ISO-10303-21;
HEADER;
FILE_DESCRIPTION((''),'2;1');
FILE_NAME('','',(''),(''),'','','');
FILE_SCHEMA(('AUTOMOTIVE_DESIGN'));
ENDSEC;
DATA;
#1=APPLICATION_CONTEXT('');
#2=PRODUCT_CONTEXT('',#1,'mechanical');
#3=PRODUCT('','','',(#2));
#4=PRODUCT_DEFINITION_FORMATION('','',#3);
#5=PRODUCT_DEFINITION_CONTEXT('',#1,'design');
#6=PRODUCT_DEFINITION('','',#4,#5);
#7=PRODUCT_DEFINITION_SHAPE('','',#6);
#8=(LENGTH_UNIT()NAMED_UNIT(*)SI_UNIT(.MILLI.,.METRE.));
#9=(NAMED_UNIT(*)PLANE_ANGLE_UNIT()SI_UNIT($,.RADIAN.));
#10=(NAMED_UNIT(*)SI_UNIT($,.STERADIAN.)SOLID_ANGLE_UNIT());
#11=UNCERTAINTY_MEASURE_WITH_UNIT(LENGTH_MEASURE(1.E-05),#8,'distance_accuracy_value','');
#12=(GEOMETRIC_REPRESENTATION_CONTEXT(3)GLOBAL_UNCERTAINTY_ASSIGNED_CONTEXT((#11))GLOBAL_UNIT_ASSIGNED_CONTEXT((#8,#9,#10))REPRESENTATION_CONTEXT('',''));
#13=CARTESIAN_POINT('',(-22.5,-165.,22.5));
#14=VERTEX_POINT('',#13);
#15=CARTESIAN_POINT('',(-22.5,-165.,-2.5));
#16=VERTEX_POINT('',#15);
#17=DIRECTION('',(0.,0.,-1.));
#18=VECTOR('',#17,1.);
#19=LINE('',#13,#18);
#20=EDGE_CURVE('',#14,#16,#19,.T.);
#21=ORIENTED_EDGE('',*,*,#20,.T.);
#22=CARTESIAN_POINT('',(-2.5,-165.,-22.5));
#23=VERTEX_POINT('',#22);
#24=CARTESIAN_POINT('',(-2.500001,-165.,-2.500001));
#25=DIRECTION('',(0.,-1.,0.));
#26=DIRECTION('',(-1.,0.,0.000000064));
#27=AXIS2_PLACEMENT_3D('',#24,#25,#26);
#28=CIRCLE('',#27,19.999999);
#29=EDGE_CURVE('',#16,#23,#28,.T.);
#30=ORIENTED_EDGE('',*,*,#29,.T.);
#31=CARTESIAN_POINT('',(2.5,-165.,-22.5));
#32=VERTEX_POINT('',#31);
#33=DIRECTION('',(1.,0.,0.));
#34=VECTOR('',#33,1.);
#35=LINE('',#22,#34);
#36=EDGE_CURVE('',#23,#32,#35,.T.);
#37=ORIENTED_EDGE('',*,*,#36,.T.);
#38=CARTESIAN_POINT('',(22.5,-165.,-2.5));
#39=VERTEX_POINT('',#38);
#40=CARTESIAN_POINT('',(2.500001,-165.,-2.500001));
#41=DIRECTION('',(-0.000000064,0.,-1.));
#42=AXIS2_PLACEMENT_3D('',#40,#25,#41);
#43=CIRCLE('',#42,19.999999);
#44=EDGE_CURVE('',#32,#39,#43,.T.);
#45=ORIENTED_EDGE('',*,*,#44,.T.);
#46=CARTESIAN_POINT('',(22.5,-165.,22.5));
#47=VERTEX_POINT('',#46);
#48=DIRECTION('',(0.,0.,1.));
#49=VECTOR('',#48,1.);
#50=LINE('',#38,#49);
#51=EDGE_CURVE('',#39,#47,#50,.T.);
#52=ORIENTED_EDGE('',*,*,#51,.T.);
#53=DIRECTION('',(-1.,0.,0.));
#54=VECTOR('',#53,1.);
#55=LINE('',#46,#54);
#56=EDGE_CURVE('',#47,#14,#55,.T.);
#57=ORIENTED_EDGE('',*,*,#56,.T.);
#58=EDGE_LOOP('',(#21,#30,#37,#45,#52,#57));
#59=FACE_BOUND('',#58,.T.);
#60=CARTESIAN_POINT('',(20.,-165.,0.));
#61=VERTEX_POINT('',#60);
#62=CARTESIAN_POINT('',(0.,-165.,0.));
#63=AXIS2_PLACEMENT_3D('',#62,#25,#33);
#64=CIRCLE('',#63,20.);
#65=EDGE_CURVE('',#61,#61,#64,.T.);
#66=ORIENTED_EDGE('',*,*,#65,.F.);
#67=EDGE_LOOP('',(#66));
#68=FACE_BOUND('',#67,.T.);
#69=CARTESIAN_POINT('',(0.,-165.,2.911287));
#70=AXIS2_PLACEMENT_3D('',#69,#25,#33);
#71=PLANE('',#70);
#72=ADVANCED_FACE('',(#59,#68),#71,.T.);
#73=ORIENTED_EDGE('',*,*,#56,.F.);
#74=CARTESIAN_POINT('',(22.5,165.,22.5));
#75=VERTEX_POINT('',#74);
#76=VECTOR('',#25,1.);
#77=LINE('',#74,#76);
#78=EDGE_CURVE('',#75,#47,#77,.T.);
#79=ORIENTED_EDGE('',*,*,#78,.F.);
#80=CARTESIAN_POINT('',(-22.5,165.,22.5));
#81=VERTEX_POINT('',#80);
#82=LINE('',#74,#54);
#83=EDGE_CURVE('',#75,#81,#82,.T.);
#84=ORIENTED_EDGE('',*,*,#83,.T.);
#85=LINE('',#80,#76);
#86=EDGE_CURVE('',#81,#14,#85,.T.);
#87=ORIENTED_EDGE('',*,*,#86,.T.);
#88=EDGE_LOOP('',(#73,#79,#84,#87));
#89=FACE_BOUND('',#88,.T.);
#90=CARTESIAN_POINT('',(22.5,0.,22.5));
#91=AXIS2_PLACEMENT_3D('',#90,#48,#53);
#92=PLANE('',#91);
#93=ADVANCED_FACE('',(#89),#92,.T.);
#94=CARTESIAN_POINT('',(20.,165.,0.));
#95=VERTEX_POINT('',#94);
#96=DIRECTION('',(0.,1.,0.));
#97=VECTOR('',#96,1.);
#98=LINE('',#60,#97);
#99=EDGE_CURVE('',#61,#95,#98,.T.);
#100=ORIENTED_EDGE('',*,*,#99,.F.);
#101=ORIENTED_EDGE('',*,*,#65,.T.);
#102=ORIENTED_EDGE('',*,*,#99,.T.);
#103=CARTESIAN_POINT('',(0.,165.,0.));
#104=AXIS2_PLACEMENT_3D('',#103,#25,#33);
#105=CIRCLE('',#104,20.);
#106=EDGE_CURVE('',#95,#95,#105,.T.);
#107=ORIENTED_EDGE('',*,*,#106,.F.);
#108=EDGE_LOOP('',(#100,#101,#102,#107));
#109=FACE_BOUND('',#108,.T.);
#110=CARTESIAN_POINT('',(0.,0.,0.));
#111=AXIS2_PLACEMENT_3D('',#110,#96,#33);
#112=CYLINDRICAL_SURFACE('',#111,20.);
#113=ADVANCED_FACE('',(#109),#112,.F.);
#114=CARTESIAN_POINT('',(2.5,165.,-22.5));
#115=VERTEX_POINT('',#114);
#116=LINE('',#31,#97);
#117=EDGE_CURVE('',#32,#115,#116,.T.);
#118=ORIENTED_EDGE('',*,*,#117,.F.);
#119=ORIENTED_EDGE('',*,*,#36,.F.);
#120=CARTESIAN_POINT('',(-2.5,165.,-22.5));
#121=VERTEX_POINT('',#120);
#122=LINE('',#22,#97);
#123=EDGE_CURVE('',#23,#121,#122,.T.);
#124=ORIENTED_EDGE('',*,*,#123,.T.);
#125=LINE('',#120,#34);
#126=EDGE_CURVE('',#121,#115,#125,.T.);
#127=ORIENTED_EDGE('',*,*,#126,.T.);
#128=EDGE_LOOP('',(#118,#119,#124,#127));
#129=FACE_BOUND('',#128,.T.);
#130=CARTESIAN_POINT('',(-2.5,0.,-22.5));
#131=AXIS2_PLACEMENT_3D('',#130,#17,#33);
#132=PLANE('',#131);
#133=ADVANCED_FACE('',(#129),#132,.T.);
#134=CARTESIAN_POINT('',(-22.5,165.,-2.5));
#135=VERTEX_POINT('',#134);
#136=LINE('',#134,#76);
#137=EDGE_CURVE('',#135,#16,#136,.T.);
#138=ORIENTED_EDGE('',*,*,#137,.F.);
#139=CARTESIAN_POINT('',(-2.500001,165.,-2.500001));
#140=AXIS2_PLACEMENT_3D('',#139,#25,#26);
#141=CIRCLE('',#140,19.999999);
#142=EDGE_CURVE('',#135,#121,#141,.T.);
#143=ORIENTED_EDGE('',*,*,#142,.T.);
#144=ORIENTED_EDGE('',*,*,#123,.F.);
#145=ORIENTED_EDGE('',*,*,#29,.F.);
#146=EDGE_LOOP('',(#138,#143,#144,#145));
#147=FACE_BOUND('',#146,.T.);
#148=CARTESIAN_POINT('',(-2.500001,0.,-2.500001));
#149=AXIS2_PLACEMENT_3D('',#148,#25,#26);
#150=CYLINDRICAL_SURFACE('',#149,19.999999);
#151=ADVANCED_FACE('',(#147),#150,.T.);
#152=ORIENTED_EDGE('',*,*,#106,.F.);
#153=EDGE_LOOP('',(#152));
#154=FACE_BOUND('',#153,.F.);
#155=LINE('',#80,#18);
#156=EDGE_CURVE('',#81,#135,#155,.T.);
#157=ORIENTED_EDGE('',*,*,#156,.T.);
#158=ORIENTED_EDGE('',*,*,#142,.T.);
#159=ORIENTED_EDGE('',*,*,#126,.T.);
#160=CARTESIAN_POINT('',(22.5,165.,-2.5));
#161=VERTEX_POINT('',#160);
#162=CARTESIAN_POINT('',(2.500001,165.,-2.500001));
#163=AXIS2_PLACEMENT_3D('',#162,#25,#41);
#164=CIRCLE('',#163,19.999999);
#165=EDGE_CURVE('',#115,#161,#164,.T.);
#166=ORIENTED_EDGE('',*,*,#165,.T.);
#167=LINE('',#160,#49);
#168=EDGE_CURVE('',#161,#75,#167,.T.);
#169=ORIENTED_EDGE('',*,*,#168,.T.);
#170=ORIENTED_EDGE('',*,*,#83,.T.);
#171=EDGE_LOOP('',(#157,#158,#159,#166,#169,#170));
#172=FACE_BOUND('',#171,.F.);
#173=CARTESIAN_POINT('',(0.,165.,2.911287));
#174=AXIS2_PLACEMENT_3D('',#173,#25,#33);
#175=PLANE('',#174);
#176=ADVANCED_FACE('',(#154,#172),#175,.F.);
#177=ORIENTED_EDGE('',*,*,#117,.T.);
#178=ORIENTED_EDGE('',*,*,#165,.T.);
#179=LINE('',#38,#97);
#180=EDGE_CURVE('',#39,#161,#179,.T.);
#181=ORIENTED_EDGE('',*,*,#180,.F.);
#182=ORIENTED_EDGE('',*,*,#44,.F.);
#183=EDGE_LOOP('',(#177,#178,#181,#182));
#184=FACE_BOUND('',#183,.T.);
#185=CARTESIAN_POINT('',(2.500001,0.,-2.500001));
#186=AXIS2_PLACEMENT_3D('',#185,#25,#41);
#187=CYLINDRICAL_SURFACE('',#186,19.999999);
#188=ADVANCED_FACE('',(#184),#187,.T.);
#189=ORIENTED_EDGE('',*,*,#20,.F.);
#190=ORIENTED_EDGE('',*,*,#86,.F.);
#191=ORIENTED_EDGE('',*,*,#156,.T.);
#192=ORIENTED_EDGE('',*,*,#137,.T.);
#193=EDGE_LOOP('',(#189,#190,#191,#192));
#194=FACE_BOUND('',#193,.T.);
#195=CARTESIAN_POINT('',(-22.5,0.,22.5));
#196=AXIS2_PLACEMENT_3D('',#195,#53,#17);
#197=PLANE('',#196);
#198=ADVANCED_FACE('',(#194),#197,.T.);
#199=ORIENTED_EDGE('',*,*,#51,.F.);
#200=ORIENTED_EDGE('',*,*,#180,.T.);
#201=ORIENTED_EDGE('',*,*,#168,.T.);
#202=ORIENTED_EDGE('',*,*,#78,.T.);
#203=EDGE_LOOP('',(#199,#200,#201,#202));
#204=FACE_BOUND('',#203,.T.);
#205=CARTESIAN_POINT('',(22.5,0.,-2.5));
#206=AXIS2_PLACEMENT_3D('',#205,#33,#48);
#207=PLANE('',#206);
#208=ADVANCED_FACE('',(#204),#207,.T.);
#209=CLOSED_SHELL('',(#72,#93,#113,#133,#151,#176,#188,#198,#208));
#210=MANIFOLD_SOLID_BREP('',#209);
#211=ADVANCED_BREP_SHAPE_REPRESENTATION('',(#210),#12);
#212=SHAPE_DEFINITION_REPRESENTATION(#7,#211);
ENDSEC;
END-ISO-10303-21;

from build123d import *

# Parameters (mm, degrees)
F0_R     = 20
F1_DEPTH = 165


with BuildPart() as f1:
    # F0 (on Front) → F1 (new body, symmetric)
    with BuildSketch(Plane.XZ):
        with BuildLine():
            Line((22.5, -2.5), (22.5, 22.5))
            Line((22.5, 22.5), (-22.5, 22.5))
            Line((-22.5, 22.5), (-22.5, -2.5))
            ThreePointArc((-22.5, -2.5), (-16.642136, -16.642136), (-2.5, -22.5))
            Line((-2.5, -22.5), (2.5, -22.5))
            ThreePointArc((2.5, -22.5), (16.642136, -16.642136), (22.5, -2.5))
        make_face()
        Circle(F0_R, mode=Mode.SUBTRACT)
    extrude(amount=F1_DEPTH, both=True)


solid = f1.part
